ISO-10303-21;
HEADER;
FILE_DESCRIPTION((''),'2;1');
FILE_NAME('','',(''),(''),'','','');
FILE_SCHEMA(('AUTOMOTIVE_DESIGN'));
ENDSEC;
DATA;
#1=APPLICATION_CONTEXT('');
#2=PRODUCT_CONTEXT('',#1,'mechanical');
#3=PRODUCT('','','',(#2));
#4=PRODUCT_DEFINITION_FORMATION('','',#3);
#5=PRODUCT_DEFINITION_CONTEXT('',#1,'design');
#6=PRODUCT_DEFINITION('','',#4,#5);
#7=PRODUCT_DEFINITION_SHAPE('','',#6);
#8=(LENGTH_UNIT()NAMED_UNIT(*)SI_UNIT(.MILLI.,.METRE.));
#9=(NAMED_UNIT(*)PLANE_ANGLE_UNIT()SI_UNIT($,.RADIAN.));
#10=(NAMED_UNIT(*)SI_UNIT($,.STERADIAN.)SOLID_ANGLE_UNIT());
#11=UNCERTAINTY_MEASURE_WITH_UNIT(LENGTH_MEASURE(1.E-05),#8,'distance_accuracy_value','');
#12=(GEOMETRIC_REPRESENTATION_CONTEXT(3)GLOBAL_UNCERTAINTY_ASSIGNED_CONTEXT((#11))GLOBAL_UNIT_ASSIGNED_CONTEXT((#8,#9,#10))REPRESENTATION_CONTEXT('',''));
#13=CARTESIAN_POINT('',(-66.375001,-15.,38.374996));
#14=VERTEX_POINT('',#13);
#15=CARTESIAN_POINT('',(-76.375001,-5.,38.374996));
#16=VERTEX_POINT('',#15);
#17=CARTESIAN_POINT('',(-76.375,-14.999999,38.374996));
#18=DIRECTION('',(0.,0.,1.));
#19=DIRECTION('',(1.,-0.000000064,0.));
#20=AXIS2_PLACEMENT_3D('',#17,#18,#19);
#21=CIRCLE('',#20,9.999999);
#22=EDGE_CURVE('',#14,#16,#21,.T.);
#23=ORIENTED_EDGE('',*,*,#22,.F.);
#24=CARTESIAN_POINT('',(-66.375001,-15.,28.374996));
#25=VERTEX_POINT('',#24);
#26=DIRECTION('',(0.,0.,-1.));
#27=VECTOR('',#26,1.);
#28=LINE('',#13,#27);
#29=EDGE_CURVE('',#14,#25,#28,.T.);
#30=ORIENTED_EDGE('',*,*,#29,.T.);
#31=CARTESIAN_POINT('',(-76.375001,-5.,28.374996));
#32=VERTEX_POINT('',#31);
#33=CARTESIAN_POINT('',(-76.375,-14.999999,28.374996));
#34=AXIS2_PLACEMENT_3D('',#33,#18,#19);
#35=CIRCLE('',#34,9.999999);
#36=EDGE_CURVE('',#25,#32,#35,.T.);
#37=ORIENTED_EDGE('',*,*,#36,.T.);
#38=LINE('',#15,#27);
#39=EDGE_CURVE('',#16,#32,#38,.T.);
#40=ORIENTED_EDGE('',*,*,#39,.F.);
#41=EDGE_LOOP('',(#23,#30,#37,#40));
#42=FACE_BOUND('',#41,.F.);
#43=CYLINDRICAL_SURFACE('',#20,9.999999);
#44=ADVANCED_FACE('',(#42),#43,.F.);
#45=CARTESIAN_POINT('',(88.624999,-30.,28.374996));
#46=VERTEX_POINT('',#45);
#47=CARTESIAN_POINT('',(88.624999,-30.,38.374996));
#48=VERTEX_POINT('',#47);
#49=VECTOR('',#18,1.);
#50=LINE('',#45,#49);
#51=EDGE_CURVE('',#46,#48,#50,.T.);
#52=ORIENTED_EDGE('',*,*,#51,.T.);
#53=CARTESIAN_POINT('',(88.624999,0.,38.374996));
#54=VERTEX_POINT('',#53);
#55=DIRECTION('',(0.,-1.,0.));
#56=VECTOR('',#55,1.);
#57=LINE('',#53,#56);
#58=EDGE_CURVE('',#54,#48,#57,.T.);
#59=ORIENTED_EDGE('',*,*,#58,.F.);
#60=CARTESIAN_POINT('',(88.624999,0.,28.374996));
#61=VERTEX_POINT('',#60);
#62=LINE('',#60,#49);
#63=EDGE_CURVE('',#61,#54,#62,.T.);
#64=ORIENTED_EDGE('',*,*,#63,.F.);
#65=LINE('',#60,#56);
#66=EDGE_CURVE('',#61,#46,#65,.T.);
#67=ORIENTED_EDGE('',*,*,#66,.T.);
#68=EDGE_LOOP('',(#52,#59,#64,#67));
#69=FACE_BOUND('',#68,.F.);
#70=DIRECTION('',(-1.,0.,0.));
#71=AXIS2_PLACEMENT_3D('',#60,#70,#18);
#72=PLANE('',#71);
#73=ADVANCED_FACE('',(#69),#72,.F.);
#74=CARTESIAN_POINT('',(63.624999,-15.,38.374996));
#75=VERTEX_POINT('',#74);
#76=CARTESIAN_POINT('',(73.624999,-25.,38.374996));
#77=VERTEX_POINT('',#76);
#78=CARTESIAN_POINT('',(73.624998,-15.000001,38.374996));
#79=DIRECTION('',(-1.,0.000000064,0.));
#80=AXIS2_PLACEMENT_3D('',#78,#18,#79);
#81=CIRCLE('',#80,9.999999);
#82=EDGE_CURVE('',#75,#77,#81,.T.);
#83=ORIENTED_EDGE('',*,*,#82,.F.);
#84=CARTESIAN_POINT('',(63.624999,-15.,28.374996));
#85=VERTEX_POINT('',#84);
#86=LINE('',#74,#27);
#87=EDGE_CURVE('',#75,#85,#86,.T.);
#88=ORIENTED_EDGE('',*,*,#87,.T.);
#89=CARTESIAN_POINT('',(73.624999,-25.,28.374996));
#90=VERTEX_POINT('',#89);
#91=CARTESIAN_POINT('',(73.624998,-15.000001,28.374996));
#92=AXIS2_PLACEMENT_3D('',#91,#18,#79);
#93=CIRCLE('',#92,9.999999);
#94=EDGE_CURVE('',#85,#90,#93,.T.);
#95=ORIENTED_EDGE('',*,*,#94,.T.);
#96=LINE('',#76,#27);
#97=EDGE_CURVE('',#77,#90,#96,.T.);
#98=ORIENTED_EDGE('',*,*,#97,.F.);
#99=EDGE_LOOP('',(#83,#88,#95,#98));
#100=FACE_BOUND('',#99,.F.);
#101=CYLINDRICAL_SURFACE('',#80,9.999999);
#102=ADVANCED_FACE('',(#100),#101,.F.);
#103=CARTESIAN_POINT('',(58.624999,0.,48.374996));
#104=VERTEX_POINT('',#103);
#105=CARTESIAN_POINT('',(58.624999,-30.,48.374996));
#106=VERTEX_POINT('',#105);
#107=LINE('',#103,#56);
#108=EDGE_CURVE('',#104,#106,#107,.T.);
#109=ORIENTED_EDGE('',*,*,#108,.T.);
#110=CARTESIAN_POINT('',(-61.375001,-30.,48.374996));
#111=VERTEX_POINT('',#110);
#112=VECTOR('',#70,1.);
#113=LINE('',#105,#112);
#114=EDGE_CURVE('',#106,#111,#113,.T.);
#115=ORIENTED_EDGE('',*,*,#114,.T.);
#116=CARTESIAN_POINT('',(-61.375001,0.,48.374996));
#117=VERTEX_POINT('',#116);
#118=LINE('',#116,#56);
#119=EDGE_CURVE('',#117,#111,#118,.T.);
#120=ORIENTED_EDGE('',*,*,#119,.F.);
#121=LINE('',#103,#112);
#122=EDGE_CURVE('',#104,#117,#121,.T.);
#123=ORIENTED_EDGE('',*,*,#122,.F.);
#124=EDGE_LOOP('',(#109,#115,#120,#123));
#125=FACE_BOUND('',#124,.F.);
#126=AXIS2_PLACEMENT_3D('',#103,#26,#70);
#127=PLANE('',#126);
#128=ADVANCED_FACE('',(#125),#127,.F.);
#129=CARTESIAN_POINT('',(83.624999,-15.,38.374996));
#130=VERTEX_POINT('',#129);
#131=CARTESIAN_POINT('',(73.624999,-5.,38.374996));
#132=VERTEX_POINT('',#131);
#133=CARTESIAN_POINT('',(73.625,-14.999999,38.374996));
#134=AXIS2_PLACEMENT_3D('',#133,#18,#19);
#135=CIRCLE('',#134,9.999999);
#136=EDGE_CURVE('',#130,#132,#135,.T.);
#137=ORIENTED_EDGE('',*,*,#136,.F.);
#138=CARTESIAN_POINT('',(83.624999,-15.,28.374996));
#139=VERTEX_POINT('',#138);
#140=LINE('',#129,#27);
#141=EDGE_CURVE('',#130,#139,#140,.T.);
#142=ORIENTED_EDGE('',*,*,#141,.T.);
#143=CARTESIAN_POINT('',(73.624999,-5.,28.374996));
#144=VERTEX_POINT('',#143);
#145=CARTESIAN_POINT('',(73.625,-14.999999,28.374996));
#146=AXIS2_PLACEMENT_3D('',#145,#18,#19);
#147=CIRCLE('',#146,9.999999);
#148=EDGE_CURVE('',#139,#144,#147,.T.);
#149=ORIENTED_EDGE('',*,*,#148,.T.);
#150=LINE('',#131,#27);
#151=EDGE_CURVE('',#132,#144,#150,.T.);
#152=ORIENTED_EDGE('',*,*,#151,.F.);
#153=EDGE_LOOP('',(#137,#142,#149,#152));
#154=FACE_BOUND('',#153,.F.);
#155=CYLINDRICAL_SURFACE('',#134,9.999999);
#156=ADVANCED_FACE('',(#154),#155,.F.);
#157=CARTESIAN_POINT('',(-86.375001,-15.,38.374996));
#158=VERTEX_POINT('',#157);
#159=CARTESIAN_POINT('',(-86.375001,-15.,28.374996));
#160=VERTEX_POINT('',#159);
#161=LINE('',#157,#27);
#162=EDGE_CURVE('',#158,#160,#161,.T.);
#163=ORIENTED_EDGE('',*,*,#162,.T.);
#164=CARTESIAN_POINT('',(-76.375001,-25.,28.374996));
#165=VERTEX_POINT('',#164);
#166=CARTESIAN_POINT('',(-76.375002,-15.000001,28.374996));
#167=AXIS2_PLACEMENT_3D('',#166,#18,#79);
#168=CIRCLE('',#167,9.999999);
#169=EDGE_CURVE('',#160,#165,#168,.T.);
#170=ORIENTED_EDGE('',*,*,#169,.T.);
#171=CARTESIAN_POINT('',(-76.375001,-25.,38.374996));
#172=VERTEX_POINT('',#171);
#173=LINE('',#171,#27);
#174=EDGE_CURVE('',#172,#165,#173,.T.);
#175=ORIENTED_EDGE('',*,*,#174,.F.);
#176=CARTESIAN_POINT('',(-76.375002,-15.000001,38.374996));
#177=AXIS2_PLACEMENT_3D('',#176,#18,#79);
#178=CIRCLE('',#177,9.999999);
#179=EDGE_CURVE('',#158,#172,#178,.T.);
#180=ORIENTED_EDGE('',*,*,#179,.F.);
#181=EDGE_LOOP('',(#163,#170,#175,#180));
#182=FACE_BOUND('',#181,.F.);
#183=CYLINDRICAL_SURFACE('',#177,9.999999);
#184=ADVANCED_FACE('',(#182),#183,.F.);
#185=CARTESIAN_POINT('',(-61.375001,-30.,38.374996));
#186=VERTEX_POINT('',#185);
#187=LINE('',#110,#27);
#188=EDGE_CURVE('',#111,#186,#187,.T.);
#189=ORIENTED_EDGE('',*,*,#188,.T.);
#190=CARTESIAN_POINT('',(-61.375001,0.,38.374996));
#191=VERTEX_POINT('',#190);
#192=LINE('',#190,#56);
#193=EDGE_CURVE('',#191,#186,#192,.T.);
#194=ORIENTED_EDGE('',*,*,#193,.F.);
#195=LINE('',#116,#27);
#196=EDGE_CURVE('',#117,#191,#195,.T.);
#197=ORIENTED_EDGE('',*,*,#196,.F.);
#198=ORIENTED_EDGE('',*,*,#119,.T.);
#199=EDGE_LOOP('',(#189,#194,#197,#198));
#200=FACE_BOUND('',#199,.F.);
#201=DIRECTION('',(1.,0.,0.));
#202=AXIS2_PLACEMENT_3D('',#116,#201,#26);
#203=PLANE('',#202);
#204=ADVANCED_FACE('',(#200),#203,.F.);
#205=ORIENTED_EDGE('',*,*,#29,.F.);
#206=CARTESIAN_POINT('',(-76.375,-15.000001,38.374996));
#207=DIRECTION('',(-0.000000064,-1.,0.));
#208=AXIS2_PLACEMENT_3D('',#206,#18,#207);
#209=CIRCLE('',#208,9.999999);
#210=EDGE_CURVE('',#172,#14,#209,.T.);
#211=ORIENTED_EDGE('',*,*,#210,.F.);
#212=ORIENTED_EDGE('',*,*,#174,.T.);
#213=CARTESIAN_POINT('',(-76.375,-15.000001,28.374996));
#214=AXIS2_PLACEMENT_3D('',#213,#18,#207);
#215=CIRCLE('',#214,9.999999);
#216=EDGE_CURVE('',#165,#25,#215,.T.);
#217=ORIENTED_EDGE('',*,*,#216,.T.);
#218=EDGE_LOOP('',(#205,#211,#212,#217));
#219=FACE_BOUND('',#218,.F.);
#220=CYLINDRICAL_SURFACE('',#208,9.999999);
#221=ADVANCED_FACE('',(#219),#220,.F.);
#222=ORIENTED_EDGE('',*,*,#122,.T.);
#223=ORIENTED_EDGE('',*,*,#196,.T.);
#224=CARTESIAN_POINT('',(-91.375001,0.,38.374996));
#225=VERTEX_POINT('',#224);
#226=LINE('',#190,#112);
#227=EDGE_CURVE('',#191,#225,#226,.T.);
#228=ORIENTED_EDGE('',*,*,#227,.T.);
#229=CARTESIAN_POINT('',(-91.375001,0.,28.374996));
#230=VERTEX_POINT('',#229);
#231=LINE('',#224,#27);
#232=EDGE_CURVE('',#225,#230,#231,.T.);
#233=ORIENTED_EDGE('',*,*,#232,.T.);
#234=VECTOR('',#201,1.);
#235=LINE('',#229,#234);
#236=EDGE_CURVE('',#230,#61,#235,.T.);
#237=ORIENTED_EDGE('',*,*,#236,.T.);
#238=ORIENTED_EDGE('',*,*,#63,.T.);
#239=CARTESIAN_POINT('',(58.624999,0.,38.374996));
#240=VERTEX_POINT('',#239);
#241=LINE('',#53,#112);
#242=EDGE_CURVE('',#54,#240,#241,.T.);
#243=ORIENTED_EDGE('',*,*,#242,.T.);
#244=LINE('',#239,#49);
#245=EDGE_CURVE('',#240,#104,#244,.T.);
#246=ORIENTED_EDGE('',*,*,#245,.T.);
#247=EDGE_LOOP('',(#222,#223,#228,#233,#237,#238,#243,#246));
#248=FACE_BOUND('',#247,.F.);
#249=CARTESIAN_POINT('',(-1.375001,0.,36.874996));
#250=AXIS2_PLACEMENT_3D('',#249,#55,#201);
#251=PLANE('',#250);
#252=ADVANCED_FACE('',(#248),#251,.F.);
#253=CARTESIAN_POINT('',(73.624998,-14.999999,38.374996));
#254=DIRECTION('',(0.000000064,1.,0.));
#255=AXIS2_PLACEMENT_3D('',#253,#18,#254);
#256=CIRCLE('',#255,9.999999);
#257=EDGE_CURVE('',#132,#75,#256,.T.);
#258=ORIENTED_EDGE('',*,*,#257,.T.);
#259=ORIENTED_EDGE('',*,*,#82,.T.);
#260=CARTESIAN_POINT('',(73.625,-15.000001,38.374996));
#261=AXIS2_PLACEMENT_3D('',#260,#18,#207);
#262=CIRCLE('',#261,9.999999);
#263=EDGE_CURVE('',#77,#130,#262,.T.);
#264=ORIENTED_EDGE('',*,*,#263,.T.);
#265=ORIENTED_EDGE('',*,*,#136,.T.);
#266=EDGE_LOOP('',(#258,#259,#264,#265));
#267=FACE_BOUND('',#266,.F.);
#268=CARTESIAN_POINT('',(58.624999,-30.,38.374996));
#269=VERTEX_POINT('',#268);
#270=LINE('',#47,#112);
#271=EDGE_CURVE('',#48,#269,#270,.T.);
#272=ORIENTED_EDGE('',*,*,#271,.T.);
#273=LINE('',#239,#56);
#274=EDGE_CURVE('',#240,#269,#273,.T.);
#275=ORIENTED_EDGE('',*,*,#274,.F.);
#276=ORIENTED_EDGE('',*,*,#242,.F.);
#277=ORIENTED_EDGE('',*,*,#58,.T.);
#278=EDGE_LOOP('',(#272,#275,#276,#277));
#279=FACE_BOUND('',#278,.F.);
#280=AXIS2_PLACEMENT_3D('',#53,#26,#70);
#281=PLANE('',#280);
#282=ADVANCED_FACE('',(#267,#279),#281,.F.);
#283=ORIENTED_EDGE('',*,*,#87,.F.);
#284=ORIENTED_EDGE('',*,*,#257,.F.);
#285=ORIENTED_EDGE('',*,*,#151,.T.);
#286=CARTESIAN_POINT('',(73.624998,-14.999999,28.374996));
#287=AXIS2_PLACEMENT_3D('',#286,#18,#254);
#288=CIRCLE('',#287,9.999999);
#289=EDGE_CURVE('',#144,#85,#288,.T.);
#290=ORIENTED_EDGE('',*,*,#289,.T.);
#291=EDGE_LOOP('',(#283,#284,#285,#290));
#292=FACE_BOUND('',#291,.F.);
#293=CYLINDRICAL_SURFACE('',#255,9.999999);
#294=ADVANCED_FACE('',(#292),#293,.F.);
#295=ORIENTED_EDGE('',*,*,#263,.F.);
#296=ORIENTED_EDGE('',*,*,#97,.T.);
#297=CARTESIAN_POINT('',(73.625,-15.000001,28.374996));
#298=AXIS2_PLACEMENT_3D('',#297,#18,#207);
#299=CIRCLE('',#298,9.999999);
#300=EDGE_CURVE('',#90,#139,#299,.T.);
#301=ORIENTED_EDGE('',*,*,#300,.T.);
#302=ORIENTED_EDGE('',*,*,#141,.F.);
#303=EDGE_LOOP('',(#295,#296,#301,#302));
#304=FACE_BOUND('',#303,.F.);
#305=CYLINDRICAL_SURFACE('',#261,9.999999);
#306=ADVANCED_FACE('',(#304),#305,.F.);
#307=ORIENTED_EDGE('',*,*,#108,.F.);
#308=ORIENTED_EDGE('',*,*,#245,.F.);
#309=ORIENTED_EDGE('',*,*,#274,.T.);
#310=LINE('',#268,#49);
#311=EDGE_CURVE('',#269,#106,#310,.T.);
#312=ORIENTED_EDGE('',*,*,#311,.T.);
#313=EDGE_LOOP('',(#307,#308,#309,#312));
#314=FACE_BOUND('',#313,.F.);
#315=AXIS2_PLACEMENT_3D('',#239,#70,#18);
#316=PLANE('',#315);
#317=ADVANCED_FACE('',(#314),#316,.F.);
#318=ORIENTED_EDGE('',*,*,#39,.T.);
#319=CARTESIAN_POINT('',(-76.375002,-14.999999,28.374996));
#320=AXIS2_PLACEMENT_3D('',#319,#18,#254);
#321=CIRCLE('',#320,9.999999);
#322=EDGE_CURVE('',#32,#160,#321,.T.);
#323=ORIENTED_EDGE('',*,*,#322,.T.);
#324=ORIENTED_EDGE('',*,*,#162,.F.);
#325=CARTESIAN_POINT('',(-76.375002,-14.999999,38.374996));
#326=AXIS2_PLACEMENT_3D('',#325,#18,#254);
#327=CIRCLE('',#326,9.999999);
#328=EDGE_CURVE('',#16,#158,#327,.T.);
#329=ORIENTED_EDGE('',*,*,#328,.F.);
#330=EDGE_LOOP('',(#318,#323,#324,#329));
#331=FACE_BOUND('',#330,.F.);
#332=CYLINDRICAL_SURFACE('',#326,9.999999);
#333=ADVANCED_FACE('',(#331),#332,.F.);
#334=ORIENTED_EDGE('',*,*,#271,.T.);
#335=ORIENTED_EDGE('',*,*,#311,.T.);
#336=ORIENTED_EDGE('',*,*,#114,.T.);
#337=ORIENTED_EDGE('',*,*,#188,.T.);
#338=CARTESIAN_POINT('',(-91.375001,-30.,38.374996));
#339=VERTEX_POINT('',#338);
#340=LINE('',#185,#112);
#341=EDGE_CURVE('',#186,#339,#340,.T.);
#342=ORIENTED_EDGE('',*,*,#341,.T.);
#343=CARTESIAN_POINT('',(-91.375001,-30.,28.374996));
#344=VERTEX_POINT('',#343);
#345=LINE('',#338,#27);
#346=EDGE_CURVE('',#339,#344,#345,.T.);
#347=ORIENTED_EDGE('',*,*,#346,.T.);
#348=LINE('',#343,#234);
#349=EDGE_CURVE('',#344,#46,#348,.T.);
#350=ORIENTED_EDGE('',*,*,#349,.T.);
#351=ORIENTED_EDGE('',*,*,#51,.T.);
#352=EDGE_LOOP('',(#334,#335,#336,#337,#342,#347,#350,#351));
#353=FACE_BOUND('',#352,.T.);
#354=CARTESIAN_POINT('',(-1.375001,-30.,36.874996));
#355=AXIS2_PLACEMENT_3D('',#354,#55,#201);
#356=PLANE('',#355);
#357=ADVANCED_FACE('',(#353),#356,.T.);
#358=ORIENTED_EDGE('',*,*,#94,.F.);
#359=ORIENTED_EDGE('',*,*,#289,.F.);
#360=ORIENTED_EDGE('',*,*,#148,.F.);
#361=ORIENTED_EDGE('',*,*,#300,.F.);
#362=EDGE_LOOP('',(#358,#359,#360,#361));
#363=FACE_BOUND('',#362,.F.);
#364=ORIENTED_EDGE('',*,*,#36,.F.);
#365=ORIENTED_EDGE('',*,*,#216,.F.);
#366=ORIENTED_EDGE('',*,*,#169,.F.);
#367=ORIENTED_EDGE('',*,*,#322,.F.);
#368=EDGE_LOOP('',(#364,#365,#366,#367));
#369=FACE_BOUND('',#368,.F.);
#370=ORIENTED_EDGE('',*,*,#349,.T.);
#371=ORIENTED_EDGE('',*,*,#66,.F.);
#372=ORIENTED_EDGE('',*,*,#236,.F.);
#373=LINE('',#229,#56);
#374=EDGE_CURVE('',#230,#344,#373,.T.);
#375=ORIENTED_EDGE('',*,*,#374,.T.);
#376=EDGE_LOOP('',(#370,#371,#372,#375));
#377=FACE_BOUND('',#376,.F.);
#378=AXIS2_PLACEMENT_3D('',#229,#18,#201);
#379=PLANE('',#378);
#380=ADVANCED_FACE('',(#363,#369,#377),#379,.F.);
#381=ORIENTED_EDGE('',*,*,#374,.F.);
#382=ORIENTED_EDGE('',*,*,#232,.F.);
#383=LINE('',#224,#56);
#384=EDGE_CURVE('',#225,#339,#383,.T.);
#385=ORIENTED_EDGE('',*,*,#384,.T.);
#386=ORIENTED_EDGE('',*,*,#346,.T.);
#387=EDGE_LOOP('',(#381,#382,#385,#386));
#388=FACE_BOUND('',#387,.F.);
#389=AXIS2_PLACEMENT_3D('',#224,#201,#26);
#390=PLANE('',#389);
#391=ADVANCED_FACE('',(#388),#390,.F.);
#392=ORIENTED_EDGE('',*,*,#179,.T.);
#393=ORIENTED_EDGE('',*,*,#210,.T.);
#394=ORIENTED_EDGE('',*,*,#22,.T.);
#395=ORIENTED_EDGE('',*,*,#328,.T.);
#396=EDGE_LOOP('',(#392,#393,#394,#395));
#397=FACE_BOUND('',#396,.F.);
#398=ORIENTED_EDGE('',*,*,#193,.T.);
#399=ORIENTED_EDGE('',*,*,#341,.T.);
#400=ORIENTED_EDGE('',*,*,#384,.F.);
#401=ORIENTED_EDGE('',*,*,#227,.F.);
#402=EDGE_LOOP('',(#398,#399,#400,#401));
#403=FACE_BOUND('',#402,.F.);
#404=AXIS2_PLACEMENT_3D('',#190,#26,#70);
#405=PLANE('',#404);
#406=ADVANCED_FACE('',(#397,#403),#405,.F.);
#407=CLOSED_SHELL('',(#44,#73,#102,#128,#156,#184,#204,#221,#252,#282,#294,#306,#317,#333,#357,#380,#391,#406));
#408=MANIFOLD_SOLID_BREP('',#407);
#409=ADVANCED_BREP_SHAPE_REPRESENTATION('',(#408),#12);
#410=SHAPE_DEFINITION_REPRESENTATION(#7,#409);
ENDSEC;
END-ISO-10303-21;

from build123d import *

# Parameters (mm, degrees)
F1_DEPTH = 30
F4_DEPTH = 25
F5_DEPTH = 25


with BuildPart() as f1:
    # F0 (on Front) → F1 (new body)
    with BuildSketch(Plane.XZ):
        Polygon((-91.375001, 38.374996), (-91.375001, 28.374996), (88.624999, 28.374996), (88.624999, 38.374996), (58.624999, 38.374996), (58.624999, 48.374996), (-61.375001, 48.374996), (-61.375001, 38.374996), align=None)
    extrude(amount=F1_DEPTH)

    # F2 (on face) → F4 (cut)
    with BuildSketch(Plane.XY.offset(38.374996)):
        with BuildLine():
            ThreePointArc((73.624999, -25), (80.696067, -22.071068), (83.624999, -15))
            ThreePointArc((83.624999, -15), (80.696067, -7.928932), (73.624999, -5))
            ThreePointArc((73.624999, -5), (66.553931, -7.928932), (63.624999, -15))
            ThreePointArc((63.624999, -15), (66.553931, -22.071068), (73.624999, -25))
        make_face()
    extrude(amount=-F4_DEPTH, mode=Mode.SUBTRACT)

    # F3 (on face) → F5 (cut)
    with BuildSketch(Plane.XY.offset(38.374996)):
        with BuildLine():
            ThreePointArc((-76.375001, -25), (-69.303933, -22.071068), (-66.375001, -15))
            ThreePointArc((-66.375001, -15), (-69.303933, -7.928932), (-76.375001, -5))
            ThreePointArc((-76.375001, -5), (-83.446069, -7.928932), (-86.375001, -15))
            ThreePointArc((-86.375001, -15), (-83.446069, -22.071068), (-76.375001, -25))
        make_face()
    extrude(amount=-F5_DEPTH, mode=Mode.SUBTRACT)


solid = f1.part
